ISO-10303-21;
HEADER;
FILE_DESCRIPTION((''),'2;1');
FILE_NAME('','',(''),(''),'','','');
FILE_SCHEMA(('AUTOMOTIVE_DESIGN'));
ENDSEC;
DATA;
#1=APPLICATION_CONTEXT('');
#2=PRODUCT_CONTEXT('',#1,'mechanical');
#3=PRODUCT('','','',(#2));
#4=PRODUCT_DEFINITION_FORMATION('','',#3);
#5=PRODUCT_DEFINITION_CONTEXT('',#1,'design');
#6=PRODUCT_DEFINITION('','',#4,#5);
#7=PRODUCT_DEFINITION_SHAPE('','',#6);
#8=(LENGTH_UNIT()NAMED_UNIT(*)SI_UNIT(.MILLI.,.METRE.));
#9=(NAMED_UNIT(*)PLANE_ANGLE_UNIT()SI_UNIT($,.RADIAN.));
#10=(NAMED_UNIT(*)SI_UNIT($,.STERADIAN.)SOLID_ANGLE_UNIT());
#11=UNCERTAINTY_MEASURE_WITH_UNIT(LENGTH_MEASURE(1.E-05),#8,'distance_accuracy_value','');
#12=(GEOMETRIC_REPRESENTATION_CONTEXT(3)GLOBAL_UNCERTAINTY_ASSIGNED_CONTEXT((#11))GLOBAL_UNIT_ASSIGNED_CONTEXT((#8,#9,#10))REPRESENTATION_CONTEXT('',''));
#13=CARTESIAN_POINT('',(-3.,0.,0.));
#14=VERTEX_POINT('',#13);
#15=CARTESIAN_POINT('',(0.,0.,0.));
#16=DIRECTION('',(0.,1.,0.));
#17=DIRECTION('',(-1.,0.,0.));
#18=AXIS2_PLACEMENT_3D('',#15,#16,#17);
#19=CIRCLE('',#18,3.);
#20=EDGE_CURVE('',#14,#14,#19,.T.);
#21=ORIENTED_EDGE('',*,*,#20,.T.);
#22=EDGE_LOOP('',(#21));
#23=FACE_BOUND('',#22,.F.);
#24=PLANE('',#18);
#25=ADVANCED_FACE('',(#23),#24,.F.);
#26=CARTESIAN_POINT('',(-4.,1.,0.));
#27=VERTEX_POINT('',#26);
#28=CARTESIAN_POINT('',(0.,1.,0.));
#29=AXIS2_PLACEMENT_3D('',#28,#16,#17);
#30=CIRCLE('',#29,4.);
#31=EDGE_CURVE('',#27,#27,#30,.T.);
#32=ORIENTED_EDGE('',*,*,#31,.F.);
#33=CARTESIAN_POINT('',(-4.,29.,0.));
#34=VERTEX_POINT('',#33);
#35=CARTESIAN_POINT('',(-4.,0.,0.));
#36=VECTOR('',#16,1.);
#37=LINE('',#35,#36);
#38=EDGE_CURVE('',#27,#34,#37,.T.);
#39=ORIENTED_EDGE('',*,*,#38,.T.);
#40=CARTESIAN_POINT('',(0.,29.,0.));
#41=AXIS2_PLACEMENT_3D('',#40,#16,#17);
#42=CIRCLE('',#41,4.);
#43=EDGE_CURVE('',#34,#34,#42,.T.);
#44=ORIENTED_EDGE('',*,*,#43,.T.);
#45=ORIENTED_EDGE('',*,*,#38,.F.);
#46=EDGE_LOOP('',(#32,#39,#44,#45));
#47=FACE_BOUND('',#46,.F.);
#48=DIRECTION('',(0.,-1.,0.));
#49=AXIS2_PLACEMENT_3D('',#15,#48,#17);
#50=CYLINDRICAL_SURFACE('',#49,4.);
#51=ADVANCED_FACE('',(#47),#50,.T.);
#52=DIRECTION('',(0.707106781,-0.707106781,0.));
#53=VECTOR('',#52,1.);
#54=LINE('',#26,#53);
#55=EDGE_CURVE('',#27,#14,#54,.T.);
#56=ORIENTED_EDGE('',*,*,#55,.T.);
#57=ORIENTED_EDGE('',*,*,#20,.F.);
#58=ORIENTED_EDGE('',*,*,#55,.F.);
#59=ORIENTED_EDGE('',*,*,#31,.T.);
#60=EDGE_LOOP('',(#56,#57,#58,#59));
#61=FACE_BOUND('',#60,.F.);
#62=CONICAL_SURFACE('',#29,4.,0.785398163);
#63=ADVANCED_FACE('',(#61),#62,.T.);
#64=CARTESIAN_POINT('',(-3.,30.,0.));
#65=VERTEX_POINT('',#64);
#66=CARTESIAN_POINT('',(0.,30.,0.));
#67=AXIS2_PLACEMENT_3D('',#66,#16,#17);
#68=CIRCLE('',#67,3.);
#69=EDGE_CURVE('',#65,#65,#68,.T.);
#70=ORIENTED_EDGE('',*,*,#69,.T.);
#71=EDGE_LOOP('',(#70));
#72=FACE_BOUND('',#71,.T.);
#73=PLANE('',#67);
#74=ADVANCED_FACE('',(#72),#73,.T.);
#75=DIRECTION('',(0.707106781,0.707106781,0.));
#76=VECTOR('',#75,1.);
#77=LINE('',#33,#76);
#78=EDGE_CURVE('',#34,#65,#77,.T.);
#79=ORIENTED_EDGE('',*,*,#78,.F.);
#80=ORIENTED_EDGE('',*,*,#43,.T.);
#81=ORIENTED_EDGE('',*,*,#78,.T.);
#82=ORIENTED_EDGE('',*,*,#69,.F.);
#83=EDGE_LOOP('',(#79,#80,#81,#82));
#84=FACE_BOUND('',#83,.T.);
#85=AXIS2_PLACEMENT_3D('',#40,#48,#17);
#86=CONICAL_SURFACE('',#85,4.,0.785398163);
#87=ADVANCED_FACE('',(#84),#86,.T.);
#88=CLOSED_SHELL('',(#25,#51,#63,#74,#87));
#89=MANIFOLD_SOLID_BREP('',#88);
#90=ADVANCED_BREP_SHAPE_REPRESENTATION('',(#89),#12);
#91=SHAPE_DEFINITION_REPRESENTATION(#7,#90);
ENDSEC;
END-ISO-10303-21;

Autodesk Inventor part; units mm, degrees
ref_plane "YZ Plane" through (0, 0, 0) normal (1, 0, 0) x (0, 1, 0)
ref_plane "XZ Plane" through (0, 0, 0) normal (0, 1, 0) x (-1, 0, 0)
sketch "Boceto1" plane through (0, 0, 0) normal (0, 1, 0) x (-1, 0, 0)
  circle A0 centre (0, 0) radius 4
  dimension "d0" = 8
extrude "Extrusión1" add sketch "Boceto1" along normal blind 30
chamfer "Chaflán1" distance 1 angle 45 2 edges at (4, 30, 0) (4, 0, 0)
properties part number "wheel_pin"
